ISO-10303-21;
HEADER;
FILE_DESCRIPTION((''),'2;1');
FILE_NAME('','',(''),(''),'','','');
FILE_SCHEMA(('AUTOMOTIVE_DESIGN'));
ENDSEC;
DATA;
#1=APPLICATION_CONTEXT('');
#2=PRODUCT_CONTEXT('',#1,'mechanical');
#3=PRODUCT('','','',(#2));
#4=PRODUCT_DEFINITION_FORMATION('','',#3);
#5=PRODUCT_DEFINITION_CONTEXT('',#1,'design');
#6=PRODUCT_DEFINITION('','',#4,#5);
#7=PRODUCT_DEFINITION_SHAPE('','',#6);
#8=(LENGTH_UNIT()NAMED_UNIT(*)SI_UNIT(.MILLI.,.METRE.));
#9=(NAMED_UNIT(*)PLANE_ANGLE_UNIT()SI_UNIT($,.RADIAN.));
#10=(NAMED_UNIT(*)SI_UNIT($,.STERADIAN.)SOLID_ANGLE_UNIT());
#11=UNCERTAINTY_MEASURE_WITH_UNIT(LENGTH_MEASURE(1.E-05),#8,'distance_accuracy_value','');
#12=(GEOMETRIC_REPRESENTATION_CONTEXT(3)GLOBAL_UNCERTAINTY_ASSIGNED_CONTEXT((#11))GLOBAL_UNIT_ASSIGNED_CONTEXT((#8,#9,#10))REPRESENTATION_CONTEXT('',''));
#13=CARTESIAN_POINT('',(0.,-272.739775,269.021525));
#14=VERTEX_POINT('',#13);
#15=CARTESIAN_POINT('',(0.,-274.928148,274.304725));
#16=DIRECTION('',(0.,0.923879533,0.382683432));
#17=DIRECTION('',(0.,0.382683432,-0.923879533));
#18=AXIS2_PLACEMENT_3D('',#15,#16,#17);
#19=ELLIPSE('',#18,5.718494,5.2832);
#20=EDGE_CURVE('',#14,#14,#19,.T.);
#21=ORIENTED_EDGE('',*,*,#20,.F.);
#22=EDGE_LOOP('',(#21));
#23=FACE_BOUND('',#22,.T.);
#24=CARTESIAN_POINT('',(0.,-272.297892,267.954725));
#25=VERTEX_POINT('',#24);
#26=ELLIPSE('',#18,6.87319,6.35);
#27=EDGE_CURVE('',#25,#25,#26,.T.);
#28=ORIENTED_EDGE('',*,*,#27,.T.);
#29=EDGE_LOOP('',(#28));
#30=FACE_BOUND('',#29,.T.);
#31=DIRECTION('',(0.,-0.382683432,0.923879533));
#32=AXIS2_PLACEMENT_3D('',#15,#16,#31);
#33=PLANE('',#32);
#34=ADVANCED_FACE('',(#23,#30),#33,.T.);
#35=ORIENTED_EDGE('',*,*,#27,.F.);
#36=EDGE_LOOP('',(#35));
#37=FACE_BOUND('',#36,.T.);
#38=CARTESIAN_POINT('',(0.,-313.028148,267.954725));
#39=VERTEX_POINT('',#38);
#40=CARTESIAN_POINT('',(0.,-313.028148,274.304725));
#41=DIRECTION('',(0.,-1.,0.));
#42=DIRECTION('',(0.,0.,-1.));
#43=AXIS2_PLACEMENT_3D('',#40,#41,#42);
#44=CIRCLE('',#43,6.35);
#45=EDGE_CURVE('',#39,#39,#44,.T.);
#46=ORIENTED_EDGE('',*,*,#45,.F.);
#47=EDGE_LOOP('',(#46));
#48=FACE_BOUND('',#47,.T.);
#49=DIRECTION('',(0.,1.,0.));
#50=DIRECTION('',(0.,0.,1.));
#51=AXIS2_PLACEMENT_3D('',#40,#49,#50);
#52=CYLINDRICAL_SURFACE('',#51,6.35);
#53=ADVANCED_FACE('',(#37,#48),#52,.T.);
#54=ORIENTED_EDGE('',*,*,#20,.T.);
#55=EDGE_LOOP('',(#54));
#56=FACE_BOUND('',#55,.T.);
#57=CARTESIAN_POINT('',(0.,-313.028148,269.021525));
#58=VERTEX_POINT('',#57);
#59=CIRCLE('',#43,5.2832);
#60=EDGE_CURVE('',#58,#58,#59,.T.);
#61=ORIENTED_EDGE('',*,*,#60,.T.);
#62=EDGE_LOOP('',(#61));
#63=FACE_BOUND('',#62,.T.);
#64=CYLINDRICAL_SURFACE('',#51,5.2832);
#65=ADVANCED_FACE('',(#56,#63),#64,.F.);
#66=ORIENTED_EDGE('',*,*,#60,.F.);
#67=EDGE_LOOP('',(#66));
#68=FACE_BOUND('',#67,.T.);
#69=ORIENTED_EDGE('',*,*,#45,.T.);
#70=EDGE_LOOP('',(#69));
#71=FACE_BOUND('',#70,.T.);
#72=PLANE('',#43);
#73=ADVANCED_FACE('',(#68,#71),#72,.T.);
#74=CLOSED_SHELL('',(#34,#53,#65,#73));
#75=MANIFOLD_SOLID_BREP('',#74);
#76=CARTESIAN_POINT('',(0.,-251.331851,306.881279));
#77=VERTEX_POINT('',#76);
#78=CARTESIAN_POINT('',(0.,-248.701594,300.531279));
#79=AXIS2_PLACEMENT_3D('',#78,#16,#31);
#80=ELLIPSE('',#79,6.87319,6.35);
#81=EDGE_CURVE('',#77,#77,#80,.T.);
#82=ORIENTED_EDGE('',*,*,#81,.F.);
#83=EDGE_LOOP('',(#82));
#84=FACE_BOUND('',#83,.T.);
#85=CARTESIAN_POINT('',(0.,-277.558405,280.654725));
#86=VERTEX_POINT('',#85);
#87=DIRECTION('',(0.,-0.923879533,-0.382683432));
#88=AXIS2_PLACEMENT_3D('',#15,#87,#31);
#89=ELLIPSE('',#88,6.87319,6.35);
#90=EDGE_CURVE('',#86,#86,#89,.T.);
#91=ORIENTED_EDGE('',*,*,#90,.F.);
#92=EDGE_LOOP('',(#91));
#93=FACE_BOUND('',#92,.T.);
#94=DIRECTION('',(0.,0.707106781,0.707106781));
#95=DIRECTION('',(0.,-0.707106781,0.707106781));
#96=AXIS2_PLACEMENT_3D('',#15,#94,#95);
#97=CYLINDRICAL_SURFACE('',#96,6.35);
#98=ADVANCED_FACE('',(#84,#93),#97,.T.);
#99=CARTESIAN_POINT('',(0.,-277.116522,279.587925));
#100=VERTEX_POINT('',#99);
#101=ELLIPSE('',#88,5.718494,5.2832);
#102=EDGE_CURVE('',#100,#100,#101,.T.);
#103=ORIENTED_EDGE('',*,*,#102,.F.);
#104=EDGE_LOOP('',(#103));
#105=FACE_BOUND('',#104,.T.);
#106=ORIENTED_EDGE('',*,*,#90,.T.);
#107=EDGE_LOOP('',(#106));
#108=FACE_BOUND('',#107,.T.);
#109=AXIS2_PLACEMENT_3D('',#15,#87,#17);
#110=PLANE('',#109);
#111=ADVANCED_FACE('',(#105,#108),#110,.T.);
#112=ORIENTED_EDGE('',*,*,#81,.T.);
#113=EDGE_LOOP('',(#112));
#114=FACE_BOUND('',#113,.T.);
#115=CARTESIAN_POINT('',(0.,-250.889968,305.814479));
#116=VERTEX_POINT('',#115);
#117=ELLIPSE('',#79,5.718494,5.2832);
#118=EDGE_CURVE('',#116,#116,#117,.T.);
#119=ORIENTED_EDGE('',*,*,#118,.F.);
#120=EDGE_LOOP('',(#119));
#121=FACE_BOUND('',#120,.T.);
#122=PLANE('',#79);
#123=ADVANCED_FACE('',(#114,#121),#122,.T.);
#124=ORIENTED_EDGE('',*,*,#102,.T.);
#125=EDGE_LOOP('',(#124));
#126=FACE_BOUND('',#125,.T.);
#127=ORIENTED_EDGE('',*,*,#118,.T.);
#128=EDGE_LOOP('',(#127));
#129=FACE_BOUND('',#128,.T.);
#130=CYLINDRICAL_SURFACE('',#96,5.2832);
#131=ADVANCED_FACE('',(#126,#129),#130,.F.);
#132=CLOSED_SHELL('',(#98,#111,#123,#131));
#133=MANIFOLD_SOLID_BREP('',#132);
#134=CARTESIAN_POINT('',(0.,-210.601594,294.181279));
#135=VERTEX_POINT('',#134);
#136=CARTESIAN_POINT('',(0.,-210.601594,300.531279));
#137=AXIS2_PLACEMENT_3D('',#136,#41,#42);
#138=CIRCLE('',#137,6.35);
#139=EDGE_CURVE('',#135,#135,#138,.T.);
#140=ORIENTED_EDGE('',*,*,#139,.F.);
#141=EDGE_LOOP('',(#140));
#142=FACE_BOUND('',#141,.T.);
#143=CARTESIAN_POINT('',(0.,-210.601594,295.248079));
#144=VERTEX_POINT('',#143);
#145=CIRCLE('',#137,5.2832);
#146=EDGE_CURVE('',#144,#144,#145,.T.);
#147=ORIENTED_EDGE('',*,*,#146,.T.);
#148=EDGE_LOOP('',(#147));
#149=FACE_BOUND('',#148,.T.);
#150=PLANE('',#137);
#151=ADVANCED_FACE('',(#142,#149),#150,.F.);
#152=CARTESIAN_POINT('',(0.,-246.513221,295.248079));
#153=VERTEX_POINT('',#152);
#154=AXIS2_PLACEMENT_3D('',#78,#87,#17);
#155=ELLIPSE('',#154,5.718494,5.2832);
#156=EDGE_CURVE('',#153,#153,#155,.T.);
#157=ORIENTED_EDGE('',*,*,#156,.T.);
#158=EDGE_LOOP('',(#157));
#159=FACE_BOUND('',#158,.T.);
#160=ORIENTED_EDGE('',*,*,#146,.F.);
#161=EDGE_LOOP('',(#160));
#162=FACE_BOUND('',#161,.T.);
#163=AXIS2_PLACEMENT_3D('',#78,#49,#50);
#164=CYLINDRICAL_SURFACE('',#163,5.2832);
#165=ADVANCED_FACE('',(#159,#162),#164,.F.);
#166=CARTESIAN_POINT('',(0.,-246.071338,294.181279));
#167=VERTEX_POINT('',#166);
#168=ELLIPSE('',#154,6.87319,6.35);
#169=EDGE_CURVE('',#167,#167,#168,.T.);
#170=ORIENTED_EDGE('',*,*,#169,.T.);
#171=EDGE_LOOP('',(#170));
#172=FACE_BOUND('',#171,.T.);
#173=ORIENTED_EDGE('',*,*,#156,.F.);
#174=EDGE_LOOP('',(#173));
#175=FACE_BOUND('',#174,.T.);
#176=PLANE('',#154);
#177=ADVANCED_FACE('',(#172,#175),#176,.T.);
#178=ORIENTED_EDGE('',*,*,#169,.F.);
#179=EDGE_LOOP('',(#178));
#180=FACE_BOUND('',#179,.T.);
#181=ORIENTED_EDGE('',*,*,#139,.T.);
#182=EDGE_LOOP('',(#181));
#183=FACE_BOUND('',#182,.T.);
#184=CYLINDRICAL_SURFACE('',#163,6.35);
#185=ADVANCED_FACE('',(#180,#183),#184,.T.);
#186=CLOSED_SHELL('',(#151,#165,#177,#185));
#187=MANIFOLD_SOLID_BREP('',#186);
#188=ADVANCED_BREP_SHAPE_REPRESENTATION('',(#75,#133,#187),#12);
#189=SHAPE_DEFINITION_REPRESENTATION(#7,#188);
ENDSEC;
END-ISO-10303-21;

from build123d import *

# Parameters (mm, degrees)
SKETCH11_R                = 6.35
SKETCH11_R_2              = 5.2832
PIPE_0_5_SCH_40_1_DEPTH   = 42.819743879
SKETCH11_ON_SEGMENT_2_R   = 6.35
SKETCH11_ON_SEGMENT_2_R_2 = 5.2832
PIPE_0_5_SCH_40_1_2_DEPTH = 46.529436071
SKETCH11_ON_SEGMENT_3_R   = 6.35
SKETCH11_ON_SEGMENT_3_R_2 = 5.2832
PIPE_0_5_SCH_40_1_3_DEPTH = 42.819743879


with BuildPart() as part:
    # Sketch11 → Pipe 0.5 SCH 40(1) (new body)
    with BuildSketch(Plane(origin=(0, -210.601594492, 300.531279363), x_dir=(0, 0, -1), z_dir=(0, -1, 0))):
        Circle(SKETCH11_R)
        Circle(SKETCH11_R_2, mode=Mode.SUBTRACT)
    extrude(amount=PIPE_0_5_SCH_40_1_DEPTH)

    # Pipe 0.5 SCH 40(1) mitre 1
    split(bisect_by=Plane(origin=(0, -248.701594492, 300.531279363), x_dir=(-1, 0, 0), z_dir=(0, 0.923879533, 0.382683432)), keep=Keep.TOP)


with BuildPart() as body_2:
    # Sketch11 on segment 2 (carried to segment 2) → Pipe 0.5 SCH 40_1 2 (new body)
    with BuildSketch(Plane(origin=(0, -245.36423159, 303.868642265), x_dir=(0, 0.707106781, -0.707106781), z_dir=(0, -0.707106781, -0.707106781))):
        Circle(SKETCH11_ON_SEGMENT_2_R)
        Circle(SKETCH11_ON_SEGMENT_2_R_2, mode=Mode.SUBTRACT)
    extrude(amount=PIPE_0_5_SCH_40_1_2_DEPTH)

    # Pipe 0.5 SCH 40_1 2 mitre 1
    split(bisect_by=Plane(origin=(0, -248.701594492, 300.531279363), x_dir=(1, 0, 0), z_dir=(0, -0.923879533, -0.382683432)), keep=Keep.TOP)

    # Pipe 0.5 SCH 40_1 2 mitre 2
    split(bisect_by=Plane(origin=(0, -274.928148458, 274.304725397), x_dir=(-1, 0, 0), z_dir=(0, 0.923879533, 0.382683432)), keep=Keep.TOP)


with BuildPart() as body_3:
    # Sketch11 on segment 3 (carried to segment 3) → Pipe 0.5 SCH 40_1 3 (new body)
    with BuildSketch(Plane(origin=(0, -270.208404579, 274.304725397), x_dir=(0, 0, -1), z_dir=(0, -1, 0))):
        Circle(SKETCH11_ON_SEGMENT_3_R)
        Circle(SKETCH11_ON_SEGMENT_3_R_2, mode=Mode.SUBTRACT)
    extrude(amount=PIPE_0_5_SCH_40_1_3_DEPTH)

    # Pipe 0.5 SCH 40_1 3 mitre 1
    split(bisect_by=Plane(origin=(0, -274.928148458, 274.304725397), x_dir=(1, 0, 0), z_dir=(0, -0.923879533, -0.382683432)), keep=Keep.TOP)


solid = Compound([part.part, body_2.part, body_3.part])
